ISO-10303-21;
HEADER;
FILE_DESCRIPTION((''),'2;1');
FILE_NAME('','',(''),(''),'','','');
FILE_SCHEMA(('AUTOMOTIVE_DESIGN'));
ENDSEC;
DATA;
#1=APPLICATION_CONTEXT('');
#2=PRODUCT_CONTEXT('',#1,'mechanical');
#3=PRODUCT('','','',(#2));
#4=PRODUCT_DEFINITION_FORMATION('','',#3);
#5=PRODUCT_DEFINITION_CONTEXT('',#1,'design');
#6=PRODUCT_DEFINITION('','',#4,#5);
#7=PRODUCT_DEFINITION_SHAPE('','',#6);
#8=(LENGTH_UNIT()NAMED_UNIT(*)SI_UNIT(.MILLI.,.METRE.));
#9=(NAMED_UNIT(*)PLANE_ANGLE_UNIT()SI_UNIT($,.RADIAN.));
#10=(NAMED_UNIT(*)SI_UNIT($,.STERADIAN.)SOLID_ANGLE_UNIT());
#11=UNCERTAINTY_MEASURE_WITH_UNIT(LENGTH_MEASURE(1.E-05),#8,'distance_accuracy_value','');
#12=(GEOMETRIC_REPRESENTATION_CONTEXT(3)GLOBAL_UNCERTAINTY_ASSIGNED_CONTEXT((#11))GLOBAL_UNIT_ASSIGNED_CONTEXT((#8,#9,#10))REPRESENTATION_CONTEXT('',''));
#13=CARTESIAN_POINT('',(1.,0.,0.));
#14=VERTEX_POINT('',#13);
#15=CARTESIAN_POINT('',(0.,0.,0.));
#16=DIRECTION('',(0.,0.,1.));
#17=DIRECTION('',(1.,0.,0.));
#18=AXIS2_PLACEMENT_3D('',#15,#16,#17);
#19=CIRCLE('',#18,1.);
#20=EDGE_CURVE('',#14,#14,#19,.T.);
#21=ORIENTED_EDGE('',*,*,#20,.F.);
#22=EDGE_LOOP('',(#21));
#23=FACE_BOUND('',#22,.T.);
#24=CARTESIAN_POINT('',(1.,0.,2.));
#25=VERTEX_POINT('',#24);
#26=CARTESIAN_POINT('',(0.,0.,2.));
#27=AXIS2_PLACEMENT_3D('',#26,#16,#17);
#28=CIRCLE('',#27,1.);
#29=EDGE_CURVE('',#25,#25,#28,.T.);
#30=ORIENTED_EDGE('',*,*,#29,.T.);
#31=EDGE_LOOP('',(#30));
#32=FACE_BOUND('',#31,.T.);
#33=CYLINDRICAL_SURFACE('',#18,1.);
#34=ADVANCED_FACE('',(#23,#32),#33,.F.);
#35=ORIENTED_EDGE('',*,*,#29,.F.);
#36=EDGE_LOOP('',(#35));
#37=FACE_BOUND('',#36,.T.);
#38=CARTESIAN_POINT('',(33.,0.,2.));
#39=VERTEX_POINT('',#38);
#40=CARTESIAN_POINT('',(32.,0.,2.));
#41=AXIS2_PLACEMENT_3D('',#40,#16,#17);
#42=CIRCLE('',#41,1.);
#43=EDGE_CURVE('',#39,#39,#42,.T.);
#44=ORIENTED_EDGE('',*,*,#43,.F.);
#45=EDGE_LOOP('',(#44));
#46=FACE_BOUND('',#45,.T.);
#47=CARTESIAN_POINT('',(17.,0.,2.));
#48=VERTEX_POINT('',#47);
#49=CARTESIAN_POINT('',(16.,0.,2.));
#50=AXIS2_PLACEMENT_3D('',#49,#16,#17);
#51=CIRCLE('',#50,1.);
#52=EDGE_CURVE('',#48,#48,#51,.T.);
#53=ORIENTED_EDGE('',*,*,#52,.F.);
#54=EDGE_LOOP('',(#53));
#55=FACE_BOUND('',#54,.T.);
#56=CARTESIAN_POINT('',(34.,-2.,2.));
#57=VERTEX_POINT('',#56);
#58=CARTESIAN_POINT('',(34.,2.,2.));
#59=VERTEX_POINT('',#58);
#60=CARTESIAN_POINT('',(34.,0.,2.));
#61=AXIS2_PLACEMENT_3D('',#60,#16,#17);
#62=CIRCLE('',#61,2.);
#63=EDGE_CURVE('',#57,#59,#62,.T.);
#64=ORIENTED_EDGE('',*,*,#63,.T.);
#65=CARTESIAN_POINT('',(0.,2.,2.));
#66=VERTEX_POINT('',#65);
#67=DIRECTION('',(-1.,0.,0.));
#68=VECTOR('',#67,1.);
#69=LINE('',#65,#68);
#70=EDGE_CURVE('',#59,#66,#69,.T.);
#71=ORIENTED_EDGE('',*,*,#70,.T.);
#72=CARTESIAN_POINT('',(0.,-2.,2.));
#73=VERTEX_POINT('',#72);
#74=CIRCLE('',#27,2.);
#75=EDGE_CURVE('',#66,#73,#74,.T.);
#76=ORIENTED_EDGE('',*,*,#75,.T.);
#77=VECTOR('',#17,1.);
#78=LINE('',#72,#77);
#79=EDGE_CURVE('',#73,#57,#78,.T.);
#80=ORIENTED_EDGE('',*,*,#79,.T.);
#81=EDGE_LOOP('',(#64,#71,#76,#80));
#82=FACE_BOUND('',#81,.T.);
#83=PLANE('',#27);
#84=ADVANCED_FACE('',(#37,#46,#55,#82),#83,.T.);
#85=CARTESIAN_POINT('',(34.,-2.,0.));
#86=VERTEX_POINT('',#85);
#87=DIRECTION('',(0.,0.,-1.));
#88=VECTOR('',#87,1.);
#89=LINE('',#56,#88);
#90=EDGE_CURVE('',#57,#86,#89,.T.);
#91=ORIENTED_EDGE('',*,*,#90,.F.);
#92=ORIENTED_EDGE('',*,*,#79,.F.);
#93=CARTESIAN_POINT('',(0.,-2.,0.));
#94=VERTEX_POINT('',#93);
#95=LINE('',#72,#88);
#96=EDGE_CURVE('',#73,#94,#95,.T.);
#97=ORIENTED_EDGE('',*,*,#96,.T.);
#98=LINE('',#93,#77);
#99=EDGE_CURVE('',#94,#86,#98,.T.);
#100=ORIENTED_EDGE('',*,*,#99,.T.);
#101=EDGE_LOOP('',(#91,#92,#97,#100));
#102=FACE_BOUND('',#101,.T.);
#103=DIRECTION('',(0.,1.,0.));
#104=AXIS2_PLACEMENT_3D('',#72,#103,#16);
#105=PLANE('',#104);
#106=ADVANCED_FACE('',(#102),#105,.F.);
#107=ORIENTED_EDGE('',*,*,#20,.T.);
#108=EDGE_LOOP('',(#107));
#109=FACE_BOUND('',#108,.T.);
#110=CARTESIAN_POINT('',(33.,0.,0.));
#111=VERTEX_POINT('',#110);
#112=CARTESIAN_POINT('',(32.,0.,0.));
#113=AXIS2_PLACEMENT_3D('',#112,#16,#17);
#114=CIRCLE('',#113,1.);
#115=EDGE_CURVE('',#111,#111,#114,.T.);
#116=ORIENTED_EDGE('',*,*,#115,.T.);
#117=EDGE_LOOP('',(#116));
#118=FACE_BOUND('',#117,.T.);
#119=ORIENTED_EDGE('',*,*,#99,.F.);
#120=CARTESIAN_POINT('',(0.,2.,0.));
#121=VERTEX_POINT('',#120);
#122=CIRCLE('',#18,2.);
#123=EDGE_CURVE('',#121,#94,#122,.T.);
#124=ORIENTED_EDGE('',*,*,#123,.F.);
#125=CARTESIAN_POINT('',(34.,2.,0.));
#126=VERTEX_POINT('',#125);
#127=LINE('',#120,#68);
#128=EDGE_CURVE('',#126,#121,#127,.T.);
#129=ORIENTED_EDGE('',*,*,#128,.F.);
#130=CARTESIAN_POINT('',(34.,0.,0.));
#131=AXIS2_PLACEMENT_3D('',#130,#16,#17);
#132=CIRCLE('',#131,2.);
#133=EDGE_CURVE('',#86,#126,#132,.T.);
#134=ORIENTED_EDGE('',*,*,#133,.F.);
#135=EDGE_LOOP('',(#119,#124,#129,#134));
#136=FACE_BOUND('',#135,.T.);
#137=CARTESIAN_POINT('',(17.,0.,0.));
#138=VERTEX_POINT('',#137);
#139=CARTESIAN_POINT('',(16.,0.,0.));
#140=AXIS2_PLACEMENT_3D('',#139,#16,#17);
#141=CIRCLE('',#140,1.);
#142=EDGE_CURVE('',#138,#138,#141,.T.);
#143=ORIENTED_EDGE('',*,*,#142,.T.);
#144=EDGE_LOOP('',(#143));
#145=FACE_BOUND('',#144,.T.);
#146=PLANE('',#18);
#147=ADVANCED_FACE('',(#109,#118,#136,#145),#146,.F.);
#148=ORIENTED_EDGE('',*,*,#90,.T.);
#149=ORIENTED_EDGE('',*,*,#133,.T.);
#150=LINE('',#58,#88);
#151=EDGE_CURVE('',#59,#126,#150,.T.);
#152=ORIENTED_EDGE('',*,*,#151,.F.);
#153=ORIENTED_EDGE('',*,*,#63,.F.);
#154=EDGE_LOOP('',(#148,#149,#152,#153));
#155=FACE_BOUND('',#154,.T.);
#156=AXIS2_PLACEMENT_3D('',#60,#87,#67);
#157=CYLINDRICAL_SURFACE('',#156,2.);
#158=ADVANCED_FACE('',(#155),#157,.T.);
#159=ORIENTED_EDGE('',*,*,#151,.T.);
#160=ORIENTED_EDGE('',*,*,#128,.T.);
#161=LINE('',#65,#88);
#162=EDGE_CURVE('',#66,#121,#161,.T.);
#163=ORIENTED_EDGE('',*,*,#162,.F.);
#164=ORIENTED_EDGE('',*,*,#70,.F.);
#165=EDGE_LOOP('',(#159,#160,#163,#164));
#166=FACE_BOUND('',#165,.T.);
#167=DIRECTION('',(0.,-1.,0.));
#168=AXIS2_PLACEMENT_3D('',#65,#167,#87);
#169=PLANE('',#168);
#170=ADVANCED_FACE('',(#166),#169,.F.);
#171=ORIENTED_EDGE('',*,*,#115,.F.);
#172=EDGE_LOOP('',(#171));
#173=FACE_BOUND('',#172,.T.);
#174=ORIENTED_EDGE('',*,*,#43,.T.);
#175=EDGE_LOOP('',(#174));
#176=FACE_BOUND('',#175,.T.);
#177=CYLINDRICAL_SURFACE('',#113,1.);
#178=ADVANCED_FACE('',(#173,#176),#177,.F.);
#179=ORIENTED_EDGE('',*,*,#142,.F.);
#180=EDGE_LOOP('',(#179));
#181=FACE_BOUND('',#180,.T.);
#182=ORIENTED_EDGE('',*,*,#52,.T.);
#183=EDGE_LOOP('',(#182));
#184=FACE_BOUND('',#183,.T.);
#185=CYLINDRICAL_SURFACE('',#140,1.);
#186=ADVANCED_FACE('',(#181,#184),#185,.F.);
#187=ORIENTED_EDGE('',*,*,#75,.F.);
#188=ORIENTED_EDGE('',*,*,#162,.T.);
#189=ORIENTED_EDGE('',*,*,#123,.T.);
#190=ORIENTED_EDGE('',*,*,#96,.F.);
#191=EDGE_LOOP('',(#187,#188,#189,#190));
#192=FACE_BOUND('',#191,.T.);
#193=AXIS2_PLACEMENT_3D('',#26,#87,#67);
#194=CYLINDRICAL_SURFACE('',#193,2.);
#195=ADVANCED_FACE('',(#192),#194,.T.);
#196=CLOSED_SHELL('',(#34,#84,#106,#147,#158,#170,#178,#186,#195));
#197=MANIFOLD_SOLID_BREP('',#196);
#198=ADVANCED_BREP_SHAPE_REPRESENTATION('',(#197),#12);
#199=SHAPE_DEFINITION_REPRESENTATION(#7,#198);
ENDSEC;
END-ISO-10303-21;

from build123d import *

# Parameters (mm, degrees)
SALIENTE_EXTRUIR1_DEPTH = 2
CROQUIS2_R              = 1
CORTAR_EXTRUIR1_DEPTH   = 2


with BuildPart() as part:
    # Croquis1 → Saliente-Extruir1 (new body)
    with BuildSketch(Plane.XY):
        with BuildLine():
            Line((0, 2), (34, 2))
            ThreePointArc((34, 2), (36, 0), (34, -2))
            Line((34, -2), (0, -2))
            ThreePointArc((0, -2), (-2, 0), (0, 2))
        make_face()
    extrude(amount=SALIENTE_EXTRUIR1_DEPTH)

    # Croquis2 → Cortar-Extruir1 (cut)
    with BuildSketch(Plane.XY.offset(2)):
        Circle(CROQUIS2_R)
        with Locations((16, 0)):
            Circle(CROQUIS2_R)
        with Locations((32, 0)):
            Circle(CROQUIS2_R)
    extrude(amount=-CORTAR_EXTRUIR1_DEPTH, mode=Mode.SUBTRACT)


solid = part.part
